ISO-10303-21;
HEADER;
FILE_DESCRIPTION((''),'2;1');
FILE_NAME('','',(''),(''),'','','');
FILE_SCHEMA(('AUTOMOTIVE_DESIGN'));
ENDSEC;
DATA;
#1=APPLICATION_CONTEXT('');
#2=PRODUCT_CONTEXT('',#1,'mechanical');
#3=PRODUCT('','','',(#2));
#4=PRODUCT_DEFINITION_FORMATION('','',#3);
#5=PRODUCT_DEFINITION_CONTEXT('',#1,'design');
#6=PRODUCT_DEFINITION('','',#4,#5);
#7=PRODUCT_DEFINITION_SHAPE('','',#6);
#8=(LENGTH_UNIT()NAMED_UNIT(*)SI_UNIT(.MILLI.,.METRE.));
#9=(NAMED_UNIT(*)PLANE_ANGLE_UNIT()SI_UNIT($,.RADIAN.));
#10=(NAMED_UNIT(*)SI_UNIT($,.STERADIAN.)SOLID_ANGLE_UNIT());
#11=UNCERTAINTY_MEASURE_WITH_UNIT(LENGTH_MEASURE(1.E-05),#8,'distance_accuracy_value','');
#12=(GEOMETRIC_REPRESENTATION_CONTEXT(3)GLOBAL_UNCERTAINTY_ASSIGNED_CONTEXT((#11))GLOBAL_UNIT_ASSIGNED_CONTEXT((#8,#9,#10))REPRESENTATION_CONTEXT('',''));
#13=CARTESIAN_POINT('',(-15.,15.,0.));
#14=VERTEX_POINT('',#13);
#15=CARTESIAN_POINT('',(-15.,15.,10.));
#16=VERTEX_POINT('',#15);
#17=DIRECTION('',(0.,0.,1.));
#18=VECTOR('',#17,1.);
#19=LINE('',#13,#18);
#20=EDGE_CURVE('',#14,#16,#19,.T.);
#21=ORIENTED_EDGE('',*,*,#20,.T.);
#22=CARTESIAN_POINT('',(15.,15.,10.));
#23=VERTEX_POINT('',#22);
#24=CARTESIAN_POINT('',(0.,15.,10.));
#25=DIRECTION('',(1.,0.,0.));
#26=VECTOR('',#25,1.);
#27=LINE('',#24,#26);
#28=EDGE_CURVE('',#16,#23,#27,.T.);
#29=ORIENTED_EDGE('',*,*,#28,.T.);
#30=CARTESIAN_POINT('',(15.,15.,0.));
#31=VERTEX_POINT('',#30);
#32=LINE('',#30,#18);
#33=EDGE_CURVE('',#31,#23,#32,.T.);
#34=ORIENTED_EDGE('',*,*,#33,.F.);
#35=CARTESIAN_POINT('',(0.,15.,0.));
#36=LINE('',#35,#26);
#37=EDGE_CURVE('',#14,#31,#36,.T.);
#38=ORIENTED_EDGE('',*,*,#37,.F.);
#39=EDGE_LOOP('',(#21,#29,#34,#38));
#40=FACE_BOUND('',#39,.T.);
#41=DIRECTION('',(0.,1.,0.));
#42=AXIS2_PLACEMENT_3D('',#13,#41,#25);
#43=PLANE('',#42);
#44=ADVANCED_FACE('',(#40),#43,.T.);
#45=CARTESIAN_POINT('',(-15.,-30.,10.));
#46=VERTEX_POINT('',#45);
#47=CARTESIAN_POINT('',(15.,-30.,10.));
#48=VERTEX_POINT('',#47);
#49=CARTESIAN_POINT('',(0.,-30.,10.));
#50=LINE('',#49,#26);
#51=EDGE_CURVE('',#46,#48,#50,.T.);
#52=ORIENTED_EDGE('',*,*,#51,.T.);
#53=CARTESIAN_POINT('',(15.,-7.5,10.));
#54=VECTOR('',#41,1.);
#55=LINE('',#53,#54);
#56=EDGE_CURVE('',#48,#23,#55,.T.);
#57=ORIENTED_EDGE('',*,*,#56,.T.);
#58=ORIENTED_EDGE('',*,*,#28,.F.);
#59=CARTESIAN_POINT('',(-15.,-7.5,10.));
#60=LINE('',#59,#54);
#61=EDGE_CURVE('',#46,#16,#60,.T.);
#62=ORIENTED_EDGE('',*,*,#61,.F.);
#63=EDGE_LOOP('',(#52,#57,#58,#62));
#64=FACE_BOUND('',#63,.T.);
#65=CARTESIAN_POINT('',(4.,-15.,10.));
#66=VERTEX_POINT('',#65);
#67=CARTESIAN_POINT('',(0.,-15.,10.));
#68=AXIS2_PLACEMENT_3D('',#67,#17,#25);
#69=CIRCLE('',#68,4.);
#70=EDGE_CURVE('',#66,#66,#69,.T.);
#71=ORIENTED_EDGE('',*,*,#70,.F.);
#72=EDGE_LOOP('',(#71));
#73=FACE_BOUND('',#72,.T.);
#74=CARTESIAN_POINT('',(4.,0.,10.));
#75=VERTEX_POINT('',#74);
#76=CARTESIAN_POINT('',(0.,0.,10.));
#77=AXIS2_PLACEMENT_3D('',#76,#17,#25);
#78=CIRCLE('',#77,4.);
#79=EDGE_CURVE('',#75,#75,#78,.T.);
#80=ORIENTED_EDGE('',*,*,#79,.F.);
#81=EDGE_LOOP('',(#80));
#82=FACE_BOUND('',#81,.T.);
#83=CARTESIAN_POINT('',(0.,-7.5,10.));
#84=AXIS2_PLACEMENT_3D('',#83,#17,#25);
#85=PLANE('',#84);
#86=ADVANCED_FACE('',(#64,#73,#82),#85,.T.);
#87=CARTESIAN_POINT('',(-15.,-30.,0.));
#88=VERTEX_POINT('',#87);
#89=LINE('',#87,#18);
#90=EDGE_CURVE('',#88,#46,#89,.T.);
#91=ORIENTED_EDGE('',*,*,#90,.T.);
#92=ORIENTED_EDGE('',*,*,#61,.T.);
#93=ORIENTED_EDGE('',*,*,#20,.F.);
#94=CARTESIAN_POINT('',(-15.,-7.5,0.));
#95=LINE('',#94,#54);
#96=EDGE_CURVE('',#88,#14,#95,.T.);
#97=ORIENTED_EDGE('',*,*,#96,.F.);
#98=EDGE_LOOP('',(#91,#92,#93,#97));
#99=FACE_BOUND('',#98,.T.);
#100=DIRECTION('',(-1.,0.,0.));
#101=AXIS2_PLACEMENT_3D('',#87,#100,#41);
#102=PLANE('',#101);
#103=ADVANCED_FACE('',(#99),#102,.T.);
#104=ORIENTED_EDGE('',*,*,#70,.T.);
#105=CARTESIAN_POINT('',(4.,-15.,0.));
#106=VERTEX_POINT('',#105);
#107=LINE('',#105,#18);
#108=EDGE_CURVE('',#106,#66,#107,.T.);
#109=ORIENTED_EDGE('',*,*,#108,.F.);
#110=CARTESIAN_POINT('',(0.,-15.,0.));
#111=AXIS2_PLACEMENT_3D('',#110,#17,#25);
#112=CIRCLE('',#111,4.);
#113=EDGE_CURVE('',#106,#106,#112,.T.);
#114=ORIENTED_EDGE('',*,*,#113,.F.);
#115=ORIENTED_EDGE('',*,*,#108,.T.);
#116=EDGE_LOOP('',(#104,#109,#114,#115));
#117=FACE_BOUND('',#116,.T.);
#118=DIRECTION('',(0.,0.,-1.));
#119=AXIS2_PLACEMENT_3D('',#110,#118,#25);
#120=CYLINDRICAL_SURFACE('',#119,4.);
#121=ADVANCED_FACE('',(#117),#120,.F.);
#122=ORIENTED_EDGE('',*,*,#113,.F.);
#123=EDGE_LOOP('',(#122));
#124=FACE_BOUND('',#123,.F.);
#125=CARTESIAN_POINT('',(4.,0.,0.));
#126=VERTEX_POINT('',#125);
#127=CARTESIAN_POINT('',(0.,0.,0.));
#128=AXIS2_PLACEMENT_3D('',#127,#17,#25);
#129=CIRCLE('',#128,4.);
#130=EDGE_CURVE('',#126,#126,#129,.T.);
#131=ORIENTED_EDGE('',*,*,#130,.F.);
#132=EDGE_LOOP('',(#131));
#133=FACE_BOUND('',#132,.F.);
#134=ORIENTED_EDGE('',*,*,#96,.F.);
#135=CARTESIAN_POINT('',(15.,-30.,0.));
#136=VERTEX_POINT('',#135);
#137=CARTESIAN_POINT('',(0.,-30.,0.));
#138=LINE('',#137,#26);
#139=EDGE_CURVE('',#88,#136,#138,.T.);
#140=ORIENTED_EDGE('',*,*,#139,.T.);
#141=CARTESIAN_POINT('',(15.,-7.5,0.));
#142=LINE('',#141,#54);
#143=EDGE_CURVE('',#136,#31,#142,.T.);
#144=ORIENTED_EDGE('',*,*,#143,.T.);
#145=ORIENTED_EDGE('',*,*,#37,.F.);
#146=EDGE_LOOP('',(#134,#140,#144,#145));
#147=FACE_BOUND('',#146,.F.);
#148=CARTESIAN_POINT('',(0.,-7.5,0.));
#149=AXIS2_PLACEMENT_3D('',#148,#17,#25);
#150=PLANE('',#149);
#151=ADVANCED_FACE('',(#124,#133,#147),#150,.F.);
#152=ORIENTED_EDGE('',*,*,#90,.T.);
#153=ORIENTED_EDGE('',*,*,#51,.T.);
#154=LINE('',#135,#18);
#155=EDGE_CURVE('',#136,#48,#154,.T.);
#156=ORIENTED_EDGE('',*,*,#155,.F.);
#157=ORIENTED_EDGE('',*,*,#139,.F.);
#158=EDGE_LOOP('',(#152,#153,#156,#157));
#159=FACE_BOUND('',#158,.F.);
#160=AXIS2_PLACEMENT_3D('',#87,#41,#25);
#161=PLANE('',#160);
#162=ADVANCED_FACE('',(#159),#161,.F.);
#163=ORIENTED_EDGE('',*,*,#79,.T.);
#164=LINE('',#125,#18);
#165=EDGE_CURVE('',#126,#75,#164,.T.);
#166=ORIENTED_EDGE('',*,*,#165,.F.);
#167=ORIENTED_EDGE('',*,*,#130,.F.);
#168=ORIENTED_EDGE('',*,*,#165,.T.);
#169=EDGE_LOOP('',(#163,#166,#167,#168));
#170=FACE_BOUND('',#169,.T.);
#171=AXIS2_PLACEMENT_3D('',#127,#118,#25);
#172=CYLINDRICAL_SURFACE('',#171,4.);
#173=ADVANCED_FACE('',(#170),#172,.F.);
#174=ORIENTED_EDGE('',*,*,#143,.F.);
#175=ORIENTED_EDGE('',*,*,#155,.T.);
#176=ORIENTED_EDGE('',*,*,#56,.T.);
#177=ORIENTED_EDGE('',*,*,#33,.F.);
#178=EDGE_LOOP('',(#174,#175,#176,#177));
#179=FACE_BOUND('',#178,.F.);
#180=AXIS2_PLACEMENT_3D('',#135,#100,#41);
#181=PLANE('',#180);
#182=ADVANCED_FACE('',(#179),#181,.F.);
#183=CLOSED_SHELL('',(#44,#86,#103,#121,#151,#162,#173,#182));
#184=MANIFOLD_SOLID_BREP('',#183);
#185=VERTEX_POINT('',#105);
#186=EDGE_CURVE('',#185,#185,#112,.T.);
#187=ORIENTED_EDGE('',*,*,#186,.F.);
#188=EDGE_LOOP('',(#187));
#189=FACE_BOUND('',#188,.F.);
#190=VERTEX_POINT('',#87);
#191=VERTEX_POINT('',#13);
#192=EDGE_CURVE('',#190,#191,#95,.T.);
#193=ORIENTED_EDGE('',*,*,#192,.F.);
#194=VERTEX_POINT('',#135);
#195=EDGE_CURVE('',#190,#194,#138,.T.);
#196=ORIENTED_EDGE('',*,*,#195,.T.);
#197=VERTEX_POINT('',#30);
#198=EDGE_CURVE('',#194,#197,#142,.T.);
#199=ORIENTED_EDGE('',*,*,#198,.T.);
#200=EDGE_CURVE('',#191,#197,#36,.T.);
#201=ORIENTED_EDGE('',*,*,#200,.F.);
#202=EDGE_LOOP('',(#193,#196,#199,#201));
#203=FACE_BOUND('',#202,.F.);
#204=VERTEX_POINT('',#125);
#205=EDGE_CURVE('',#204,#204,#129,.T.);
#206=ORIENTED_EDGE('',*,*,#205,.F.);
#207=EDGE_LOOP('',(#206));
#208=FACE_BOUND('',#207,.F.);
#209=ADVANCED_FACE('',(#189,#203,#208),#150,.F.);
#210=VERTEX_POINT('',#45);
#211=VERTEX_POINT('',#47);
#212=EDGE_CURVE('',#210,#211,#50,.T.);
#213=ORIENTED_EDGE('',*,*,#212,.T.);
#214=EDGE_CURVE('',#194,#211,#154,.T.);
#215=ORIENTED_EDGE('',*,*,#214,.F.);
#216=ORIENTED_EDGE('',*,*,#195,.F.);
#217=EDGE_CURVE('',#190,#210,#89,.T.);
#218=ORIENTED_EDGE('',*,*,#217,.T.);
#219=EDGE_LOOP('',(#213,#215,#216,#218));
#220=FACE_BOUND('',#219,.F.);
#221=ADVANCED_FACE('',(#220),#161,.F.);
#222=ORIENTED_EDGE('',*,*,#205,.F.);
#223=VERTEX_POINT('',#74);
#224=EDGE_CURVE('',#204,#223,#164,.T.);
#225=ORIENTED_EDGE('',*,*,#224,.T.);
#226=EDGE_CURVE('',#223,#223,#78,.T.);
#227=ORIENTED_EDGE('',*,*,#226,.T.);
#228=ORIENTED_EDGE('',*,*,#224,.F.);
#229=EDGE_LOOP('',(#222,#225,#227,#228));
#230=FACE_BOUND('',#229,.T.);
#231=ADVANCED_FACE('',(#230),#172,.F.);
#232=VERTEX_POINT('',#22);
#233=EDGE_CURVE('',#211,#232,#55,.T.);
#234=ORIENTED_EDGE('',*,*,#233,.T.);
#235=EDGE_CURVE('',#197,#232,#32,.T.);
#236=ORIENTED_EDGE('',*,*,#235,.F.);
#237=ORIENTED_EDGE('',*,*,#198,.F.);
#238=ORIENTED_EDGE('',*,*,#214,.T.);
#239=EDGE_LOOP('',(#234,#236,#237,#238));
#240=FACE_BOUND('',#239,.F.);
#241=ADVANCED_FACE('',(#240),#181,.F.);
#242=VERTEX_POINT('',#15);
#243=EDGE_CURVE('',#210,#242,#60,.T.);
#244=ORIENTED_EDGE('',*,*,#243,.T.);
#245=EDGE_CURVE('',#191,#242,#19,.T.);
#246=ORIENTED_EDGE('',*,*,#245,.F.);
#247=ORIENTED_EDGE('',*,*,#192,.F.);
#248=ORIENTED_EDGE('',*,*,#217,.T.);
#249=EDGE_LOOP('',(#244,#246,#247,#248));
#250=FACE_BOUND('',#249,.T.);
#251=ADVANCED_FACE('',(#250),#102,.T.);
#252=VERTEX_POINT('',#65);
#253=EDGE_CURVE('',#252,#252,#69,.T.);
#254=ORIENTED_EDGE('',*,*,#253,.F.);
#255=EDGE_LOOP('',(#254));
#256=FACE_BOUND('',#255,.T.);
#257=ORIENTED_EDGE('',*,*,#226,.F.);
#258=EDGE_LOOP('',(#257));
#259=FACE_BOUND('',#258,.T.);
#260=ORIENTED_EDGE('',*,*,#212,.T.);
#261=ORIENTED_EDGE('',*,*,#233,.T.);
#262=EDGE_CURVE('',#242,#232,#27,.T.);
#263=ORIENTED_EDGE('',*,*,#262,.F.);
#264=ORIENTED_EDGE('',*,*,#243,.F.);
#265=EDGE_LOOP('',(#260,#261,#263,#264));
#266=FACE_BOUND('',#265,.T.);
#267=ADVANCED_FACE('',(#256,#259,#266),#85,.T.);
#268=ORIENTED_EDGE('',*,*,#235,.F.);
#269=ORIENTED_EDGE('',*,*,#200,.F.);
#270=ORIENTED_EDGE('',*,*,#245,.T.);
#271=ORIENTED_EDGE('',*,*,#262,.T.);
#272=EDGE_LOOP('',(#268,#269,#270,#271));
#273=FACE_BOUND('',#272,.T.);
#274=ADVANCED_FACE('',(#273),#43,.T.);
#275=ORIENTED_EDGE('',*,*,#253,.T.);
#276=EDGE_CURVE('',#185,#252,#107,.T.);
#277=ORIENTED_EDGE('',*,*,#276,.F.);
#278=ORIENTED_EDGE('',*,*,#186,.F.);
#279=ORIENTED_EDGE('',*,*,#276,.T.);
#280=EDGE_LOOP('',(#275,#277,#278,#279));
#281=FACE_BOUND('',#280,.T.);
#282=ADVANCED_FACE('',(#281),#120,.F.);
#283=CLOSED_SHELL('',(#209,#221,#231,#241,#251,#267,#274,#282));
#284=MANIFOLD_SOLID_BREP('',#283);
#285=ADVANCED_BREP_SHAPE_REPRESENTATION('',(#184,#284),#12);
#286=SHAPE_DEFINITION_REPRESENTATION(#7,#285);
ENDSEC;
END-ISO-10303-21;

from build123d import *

# Parameters (mm, degrees)
SKETCH_W         = 30
SKETCH_H         = 45
SKETCH_R         = 4
EXTRUDE_DEPTH    = 10
EXTRUDE001_DEPTH = 10


with BuildPart() as extrude_body:
    # Sketch → Extrude (new body)
    with BuildSketch(Plane.XY):
        with Locations((0, -7.5)):
            Rectangle(SKETCH_W, SKETCH_H)
        Circle(SKETCH_R, mode=Mode.SUBTRACT)
        with Locations((0, -15)):
            Circle(SKETCH_R, mode=Mode.SUBTRACT)
    extrude(amount=EXTRUDE_DEPTH)


with BuildPart() as extrude001:
    # Sketch → Extrude001 (new body)
    with BuildSketch(Plane.XY):
        with Locations((0, -7.5)):
            Rectangle(SKETCH_W, SKETCH_H)
        Circle(SKETCH_R, mode=Mode.SUBTRACT)
        with Locations((0, -15)):
            Circle(SKETCH_R, mode=Mode.SUBTRACT)
    extrude(amount=EXTRUDE001_DEPTH)


solid = Compound([extrude_body.part, extrude001.part])
